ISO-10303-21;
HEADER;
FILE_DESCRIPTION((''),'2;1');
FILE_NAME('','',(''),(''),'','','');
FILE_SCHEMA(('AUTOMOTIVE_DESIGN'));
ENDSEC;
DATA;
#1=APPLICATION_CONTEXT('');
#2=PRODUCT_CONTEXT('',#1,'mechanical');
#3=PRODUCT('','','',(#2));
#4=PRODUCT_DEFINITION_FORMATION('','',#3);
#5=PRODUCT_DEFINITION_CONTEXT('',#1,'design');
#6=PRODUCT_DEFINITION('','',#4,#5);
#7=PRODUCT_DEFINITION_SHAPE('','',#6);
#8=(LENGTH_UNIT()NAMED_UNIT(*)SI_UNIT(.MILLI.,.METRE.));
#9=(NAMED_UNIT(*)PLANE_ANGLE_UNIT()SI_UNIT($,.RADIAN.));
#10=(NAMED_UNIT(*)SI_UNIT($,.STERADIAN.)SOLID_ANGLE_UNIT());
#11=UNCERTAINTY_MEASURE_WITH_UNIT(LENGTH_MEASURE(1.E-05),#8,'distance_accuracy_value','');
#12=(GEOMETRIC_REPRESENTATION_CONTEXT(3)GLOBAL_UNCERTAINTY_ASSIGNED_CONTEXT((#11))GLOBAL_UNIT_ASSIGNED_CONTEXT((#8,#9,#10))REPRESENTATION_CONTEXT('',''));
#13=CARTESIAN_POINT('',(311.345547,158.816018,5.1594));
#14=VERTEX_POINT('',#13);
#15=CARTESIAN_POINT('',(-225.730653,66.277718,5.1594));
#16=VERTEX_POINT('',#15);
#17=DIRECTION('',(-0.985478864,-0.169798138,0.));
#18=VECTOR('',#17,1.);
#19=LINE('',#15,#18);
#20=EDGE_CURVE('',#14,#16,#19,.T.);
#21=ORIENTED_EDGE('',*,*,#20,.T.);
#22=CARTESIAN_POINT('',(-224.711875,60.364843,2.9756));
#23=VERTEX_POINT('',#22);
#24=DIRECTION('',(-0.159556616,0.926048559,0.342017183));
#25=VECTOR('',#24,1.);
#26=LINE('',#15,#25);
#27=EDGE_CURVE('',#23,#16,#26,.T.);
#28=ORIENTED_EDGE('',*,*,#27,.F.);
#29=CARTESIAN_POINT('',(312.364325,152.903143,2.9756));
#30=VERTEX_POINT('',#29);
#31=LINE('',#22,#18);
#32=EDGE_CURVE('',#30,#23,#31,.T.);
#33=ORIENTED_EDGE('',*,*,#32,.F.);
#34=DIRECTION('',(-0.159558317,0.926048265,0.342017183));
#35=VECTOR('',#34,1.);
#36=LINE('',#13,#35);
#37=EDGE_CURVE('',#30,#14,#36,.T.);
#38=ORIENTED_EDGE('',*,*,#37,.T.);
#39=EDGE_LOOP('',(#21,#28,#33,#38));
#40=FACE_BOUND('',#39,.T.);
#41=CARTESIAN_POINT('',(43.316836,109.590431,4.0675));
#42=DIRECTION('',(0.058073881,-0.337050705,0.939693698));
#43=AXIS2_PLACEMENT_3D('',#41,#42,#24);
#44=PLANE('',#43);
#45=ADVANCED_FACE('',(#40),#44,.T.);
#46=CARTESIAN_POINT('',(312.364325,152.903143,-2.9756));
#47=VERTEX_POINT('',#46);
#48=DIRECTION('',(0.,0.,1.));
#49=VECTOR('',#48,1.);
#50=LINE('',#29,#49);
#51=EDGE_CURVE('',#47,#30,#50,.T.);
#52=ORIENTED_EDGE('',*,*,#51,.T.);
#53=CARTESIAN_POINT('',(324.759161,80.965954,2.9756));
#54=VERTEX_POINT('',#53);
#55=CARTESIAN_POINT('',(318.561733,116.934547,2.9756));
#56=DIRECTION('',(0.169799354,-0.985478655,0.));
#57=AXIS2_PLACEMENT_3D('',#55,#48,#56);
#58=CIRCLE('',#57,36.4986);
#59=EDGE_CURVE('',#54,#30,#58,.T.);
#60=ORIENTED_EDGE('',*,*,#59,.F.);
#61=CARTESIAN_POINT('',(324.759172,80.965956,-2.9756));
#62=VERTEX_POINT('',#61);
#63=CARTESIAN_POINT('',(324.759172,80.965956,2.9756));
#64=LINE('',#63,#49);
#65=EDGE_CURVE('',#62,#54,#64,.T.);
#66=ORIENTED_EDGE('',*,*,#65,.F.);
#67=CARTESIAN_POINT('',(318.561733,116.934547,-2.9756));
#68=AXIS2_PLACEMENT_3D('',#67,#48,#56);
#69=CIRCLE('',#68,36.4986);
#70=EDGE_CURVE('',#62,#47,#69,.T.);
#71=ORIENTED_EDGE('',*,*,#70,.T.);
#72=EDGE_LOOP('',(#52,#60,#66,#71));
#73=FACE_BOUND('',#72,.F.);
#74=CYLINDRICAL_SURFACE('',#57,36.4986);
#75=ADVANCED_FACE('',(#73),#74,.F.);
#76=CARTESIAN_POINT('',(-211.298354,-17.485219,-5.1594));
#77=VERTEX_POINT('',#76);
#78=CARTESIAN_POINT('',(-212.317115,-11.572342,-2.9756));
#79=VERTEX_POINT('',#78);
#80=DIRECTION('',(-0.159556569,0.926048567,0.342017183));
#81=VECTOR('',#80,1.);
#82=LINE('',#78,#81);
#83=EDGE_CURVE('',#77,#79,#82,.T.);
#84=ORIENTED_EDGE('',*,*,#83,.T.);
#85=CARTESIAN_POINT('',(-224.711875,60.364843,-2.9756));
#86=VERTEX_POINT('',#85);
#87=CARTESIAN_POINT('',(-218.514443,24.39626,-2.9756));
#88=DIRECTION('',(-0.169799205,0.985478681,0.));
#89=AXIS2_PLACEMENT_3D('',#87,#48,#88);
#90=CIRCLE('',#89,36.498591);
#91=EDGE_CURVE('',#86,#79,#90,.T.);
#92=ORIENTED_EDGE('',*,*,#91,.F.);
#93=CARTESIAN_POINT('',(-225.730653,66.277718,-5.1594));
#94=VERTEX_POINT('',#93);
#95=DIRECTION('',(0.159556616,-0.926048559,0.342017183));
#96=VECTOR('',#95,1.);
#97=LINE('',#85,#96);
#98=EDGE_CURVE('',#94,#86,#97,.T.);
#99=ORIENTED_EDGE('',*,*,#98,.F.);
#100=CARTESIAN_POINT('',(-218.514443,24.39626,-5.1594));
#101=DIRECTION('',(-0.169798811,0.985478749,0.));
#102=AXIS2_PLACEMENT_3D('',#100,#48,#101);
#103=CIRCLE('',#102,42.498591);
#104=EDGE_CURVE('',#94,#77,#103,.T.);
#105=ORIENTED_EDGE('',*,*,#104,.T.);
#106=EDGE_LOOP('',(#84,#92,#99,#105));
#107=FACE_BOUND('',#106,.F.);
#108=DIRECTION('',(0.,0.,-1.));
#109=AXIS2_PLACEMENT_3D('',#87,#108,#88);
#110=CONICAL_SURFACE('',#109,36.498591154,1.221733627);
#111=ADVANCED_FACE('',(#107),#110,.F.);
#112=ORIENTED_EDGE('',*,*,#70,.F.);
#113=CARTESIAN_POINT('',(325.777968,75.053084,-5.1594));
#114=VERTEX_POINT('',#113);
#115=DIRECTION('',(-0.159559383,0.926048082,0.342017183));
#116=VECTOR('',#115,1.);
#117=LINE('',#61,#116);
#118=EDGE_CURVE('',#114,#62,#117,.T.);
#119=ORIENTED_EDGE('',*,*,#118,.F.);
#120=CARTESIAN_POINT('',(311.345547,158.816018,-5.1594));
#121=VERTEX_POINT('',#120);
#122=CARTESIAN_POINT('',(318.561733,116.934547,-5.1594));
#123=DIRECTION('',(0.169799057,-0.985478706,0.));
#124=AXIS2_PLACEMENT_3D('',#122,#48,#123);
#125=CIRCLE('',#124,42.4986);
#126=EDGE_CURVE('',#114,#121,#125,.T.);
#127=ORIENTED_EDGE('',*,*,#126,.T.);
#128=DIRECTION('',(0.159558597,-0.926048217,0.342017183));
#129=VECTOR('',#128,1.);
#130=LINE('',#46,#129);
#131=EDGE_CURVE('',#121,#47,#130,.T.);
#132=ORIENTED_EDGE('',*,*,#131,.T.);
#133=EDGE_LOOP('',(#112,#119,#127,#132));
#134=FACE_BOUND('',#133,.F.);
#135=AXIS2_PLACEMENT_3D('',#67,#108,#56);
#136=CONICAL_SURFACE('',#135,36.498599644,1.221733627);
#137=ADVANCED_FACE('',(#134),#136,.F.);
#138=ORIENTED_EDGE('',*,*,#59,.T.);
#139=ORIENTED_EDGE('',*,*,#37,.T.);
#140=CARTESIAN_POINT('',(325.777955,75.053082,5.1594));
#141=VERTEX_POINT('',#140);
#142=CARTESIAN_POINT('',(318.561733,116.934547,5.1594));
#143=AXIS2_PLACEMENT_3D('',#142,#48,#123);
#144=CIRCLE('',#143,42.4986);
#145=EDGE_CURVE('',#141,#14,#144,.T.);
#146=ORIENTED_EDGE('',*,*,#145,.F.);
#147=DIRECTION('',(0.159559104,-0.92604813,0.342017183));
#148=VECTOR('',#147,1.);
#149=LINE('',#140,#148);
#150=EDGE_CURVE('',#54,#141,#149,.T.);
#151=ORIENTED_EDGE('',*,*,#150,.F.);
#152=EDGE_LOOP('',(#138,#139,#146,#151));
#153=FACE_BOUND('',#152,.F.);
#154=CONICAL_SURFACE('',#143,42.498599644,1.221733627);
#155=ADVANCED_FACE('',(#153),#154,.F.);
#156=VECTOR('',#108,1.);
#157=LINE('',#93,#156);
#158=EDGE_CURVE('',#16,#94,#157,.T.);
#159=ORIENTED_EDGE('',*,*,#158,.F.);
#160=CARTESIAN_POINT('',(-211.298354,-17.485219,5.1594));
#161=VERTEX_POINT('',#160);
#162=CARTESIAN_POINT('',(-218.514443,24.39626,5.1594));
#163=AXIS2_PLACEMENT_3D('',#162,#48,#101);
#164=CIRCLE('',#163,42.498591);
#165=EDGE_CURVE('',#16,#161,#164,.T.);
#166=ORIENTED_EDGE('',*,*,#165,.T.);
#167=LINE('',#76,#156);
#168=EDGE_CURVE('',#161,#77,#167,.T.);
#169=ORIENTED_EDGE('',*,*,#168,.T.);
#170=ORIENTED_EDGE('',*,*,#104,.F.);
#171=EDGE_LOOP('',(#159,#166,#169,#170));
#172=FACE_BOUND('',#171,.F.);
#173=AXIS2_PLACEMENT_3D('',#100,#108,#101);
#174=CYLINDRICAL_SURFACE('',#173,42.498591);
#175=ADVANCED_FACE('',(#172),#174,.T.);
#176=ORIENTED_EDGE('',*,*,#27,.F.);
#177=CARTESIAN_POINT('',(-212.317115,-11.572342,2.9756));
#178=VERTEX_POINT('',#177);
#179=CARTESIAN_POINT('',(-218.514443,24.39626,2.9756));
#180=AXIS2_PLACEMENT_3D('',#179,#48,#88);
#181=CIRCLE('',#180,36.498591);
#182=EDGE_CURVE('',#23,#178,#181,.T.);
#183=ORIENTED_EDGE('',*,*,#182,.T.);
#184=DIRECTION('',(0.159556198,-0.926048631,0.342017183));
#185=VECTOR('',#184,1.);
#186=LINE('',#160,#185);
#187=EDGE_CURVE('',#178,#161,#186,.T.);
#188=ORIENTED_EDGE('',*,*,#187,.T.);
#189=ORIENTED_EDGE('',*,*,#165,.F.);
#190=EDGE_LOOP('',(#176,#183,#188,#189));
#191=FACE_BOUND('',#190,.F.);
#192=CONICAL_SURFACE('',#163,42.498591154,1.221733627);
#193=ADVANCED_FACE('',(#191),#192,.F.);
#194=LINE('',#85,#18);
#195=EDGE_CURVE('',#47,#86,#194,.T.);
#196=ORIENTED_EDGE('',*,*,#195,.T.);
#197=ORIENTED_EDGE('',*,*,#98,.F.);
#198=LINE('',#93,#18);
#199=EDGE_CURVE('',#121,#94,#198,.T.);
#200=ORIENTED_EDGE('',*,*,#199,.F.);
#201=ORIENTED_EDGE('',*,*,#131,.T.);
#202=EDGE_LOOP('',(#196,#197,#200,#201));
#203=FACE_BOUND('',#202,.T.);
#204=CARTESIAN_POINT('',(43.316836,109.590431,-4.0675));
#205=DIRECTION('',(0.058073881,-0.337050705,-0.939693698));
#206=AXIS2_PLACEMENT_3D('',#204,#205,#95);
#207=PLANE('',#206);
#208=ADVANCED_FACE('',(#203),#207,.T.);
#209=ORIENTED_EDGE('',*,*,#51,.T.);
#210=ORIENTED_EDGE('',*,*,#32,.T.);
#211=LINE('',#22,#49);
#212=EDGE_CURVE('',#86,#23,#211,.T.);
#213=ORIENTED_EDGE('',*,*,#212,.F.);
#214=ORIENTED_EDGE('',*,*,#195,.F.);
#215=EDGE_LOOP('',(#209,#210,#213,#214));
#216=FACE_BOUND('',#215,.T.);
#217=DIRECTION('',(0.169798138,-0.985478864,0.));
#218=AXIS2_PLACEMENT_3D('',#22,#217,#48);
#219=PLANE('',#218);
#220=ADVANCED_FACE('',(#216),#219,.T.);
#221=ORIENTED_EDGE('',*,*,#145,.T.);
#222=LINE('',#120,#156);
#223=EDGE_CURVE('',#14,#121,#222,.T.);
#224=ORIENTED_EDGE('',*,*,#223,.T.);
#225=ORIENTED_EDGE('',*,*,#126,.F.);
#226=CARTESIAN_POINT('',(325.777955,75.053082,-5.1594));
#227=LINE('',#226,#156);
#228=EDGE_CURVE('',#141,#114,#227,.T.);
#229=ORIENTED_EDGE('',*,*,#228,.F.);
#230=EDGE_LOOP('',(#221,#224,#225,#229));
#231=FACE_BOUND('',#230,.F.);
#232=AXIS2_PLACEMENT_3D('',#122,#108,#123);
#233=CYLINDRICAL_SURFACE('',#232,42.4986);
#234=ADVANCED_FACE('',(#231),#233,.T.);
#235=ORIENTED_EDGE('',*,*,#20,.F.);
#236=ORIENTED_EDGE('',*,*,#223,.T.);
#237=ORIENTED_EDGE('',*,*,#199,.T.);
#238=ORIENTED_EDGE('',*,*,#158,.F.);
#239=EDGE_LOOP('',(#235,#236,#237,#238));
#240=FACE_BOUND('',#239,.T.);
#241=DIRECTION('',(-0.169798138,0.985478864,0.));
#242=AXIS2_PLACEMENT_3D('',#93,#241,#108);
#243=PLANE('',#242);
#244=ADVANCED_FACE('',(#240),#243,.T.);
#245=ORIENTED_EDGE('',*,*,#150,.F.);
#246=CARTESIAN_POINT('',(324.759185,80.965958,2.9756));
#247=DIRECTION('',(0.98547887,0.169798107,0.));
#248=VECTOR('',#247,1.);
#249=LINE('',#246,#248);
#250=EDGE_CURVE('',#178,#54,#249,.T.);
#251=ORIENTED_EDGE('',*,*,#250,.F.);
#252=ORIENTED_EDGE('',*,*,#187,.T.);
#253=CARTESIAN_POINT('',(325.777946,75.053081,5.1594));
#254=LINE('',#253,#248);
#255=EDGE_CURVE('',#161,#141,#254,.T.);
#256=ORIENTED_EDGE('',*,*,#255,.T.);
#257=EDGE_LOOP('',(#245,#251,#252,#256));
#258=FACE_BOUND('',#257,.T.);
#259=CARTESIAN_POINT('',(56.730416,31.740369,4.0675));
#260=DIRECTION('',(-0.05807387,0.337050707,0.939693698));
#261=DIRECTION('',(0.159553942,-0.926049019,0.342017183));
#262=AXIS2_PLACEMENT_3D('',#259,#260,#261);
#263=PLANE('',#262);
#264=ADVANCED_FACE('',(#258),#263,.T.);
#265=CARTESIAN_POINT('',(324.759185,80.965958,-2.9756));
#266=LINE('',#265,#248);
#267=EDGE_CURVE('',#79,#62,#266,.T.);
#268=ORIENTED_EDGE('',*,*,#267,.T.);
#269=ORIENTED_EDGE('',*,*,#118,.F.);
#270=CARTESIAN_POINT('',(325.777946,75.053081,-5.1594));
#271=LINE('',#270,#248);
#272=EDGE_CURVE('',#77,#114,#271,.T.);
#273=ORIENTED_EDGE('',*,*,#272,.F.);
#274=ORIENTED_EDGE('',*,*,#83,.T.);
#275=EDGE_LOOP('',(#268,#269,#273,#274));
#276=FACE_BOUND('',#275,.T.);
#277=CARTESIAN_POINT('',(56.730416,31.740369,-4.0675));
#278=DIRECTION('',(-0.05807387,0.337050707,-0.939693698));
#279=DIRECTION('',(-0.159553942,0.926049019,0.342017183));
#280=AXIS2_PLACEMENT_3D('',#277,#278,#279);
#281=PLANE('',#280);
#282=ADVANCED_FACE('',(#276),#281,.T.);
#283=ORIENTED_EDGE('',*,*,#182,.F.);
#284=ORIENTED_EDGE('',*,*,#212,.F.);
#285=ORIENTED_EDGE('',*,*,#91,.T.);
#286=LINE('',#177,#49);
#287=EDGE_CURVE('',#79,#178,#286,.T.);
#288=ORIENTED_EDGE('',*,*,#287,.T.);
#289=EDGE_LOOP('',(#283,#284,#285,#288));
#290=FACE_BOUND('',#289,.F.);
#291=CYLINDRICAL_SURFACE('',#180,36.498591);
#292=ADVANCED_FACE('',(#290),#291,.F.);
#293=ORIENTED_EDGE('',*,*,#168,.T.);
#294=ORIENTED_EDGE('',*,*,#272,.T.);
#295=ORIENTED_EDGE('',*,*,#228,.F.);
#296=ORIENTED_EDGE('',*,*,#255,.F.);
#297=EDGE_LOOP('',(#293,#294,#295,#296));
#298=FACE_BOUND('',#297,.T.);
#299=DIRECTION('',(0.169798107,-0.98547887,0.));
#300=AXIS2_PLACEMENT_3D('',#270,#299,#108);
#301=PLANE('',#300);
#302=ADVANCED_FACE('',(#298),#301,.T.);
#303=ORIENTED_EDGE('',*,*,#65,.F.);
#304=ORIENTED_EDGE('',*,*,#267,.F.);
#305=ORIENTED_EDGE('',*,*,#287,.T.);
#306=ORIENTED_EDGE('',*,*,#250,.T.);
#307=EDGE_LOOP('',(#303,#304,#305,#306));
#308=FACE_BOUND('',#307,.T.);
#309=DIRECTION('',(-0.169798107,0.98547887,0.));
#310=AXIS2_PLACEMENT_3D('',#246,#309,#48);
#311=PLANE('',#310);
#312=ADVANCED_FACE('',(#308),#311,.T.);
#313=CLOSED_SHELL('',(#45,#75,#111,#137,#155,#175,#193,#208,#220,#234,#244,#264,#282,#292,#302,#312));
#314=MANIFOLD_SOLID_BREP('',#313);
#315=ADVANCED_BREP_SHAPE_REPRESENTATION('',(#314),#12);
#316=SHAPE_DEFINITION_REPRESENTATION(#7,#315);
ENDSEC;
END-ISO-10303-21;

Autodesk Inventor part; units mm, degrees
ref_plane "YZ Plane" through (0, 0, 0) normal (1, 0, 0) x (0, 1, 0)
ref_plane "XZ Plane" through (0, 0, 0) normal (0, 1, 0) x (-1, 0, 0)
sketch "Sketch Path" plane through (0, 0, 0) normal (0, 0, 1) x (1, 0, 0)
  arc A0 (325.3537, 77.5154) -> (311.7698, 156.3537) centre (318.5618, 116.9345) ccw
  arc A1 (-225.3064, 63.8154) -> (-211.7226, -15.0229) centre (-218.5145, 24.3963) ccw
  line L0 (-225.3064, 63.8154) -> (311.7698, 156.3537)
  line L1 (325.3537, 77.5154) -> (-211.7226, -15.0229)
ref_plane "Cross Section Plane" through (311.7698, 156.3537, 0) normal (-0.9855, -0.1698, 0) x (0, 0, 1)
sketch "Cross Section" plane through (311.7698, 156.3537, 0) normal (-0.9855, -0.1698, 0) x (0, 0, 1)
  line L0 (0, 2.4986) -> (0, -3.5014) construction
  line L1 (-4.25, 0) -> (4.25, 0) construction
  line L2 (-5.1594, 2.4986) -> (5.1594, 2.4986)
  line L3 (5.1594, 2.4986) -> (2.9756, -3.5014)
  line L4 (2.9756, -3.5014) -> (-2.9756, -3.5014)
  line L5 (-2.9756, -3.5014) -> (-5.1594, 2.4986)
  point P0 (0, 0)
  point P1 (0, 0)
  point P2 (0, 0)
  dimension "d0" = 8.5
  dimension "d1" = 2.4986
  dimension "d2" = 40
  dimension "d3" = 6
sweep "Belt" add profiles "Cross Section" path "Sketch Path"
equation "\"d0\" = da_Bw"
equation "\"d1\" = da_Hw"
equation "\"d2\" = da_Alfa"
equation "\"d3\" = da_H"
equation "\"da_Alfa\" = 40deg"
equation "\"da_H\" = 6"
equation "\"da_Bw\" = 8.5"
equation "\"da_Hw\" = 2.49859"
properties part number "V-Belt" material "Rubber"
